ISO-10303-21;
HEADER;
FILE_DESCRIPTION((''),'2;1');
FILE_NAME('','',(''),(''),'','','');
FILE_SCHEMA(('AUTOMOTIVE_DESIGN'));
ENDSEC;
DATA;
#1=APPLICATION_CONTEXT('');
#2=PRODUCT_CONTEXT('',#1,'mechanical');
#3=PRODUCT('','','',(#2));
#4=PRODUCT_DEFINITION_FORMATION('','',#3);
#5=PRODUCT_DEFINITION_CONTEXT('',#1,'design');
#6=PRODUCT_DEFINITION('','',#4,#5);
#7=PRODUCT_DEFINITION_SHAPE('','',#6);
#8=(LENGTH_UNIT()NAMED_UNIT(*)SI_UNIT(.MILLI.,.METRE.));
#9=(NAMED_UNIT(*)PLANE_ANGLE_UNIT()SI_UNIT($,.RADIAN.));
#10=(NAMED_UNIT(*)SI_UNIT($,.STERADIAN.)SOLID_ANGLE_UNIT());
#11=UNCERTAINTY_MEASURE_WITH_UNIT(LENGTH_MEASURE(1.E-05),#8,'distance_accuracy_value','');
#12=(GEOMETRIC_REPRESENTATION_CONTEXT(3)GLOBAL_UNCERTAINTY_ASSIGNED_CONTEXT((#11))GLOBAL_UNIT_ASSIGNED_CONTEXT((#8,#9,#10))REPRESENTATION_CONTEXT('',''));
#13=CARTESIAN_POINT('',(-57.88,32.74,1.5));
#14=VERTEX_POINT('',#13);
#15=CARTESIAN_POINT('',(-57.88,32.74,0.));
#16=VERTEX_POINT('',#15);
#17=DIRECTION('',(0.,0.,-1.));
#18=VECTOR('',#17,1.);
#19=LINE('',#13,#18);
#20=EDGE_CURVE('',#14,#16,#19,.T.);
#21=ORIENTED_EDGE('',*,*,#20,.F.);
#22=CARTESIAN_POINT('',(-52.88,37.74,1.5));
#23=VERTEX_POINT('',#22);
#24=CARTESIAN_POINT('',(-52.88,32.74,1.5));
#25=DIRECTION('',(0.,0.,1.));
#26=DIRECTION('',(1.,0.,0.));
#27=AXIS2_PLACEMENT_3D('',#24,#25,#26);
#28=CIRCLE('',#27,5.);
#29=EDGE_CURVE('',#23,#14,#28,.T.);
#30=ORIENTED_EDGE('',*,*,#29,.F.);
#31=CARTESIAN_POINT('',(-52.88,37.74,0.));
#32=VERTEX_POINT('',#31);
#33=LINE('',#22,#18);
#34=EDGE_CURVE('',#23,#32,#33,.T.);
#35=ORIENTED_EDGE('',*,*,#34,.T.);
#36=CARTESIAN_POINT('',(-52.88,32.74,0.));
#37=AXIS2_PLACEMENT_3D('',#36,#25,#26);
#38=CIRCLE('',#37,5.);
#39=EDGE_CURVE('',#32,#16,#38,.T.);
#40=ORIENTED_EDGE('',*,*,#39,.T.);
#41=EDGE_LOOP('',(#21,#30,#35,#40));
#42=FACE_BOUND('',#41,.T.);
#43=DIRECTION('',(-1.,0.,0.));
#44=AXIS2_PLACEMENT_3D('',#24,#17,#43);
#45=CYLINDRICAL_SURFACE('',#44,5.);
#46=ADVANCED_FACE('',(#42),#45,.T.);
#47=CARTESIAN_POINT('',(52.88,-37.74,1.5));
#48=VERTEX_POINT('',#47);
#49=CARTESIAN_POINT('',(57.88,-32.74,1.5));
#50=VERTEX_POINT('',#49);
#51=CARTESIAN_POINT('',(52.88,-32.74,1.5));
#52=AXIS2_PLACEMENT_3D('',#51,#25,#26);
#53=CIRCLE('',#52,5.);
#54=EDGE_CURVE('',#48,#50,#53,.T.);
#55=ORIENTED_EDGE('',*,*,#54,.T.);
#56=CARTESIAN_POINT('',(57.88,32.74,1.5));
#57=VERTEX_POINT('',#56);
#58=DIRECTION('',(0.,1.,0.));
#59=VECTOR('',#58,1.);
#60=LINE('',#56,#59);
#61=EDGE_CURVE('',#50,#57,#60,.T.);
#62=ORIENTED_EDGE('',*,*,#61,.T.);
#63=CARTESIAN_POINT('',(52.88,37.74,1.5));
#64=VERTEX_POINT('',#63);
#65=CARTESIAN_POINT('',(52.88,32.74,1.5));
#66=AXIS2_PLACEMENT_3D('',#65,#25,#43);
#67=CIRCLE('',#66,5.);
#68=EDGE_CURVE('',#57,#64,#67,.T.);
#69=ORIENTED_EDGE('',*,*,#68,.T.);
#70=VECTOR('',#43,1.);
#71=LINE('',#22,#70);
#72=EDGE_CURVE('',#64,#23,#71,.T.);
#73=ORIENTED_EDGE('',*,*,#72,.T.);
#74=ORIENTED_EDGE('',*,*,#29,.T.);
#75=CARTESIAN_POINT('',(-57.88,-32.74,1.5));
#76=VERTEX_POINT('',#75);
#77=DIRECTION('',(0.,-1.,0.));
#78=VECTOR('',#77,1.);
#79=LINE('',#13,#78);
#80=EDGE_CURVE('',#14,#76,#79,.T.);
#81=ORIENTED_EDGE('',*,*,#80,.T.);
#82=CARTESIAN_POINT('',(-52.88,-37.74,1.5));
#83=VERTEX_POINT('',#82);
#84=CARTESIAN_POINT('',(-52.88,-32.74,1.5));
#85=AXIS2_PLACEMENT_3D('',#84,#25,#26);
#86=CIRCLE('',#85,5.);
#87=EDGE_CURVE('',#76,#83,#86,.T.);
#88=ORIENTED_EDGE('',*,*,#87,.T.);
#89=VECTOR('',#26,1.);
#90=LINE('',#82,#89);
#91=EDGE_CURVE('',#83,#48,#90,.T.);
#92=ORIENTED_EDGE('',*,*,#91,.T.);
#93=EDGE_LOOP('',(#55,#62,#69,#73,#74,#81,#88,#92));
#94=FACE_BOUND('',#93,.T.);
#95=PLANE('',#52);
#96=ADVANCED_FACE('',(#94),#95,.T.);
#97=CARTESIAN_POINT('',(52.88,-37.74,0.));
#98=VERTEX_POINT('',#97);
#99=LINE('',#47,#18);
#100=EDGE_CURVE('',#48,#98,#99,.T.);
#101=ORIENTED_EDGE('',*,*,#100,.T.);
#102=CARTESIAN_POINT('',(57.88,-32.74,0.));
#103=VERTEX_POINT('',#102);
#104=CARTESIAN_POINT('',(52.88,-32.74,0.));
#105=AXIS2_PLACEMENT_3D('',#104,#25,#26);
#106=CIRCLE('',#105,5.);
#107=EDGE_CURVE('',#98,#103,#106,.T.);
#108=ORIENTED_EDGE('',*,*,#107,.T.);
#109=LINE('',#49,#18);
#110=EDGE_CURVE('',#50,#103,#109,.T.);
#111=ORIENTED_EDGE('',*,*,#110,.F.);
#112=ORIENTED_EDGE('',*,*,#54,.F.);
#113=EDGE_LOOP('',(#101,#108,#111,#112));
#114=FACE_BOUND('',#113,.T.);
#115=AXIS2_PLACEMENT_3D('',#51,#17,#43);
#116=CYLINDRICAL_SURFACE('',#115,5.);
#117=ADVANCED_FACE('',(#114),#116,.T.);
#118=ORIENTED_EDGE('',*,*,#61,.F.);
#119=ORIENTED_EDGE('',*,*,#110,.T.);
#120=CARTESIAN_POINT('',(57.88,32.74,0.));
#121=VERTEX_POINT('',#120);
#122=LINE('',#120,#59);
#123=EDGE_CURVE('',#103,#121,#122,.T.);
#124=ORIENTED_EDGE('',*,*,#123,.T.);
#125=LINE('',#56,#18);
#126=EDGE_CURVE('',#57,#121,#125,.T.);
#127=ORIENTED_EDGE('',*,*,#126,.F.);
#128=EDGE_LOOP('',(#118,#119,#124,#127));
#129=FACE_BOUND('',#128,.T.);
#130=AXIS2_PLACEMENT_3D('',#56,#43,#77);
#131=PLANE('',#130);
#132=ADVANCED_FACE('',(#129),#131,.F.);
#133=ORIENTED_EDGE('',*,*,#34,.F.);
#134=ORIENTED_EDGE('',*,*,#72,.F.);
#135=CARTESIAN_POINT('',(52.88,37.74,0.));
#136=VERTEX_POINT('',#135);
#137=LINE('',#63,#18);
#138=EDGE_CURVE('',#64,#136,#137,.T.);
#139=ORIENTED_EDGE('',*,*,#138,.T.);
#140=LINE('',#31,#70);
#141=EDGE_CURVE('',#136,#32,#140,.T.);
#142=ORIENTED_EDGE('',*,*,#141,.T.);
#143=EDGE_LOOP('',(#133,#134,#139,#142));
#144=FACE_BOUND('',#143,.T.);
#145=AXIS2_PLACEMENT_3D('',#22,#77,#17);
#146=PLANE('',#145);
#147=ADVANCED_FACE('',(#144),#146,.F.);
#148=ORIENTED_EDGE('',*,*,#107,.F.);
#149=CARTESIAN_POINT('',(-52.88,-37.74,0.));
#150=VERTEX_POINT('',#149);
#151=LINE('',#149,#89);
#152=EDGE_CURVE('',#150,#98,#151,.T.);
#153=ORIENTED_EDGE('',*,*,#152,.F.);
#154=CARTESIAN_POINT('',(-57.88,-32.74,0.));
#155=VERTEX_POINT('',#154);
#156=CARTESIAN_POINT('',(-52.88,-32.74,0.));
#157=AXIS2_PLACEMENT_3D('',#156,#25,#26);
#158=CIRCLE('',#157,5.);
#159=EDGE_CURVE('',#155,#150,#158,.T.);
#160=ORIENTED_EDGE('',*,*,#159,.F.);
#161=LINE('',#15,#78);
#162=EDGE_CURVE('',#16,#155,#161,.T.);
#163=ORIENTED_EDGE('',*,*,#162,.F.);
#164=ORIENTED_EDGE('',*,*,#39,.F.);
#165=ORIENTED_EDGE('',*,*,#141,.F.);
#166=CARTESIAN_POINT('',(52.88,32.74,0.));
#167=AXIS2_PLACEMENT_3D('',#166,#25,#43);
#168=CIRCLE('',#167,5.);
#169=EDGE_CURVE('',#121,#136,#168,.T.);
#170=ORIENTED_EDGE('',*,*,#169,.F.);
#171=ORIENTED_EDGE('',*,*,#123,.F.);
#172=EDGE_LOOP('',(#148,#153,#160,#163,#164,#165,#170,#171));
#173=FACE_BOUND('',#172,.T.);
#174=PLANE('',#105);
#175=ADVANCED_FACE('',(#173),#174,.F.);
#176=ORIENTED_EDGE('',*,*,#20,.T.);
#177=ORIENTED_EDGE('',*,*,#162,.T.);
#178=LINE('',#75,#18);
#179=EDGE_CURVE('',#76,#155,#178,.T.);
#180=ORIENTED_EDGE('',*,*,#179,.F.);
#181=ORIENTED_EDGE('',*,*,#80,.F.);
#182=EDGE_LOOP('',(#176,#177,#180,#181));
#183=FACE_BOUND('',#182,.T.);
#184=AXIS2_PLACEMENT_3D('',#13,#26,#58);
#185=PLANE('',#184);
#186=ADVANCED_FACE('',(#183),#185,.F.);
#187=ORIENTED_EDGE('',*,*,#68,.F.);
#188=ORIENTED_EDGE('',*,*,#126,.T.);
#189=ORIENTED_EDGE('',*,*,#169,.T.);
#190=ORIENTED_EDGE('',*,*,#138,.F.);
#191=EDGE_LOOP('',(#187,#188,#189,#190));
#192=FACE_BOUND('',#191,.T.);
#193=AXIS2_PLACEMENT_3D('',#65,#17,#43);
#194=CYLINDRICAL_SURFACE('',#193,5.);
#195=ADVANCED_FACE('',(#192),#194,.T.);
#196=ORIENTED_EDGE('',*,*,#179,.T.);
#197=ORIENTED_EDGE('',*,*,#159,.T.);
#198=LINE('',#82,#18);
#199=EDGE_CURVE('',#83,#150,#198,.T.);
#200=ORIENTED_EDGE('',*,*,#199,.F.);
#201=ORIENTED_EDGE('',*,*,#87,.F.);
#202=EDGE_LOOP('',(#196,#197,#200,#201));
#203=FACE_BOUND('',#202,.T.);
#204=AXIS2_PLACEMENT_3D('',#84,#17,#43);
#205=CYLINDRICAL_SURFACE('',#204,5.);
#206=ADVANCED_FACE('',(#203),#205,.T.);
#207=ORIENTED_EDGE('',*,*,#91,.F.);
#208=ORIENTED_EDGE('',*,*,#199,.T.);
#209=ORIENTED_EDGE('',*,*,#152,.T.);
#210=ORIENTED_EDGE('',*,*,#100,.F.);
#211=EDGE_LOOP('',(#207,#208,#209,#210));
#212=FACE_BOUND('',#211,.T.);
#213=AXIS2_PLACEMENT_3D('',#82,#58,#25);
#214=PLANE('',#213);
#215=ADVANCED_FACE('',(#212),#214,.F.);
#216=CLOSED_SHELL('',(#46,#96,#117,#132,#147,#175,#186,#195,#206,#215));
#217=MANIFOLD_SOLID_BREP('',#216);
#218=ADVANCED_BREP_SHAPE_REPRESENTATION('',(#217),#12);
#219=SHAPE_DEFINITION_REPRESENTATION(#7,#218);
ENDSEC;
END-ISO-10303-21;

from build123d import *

# Parameters (mm, degrees)
BOSS_EXTRU_1_DEPTH = 1.5


with BuildPart() as part:
    # Esquisse1 → Boss.-Extru.1 (new body)
    with BuildSketch(Plane.XY):
        with BuildLine():
            Line((-52.88, 37.74), (52.88, 37.74))
            ThreePointArc((52.88, 37.74), (56.415533906, 36.275533906), (57.88, 32.74))
            Line((57.88, 32.74), (57.88, -32.74))
            ThreePointArc((57.88, -32.74), (56.415533906, -36.275533906), (52.88, -37.74))
            Line((52.88, -37.74), (-52.88, -37.74))
            ThreePointArc((-52.88, -37.74), (-56.415533906, -36.275533906), (-57.88, -32.74))
            Line((-57.88, -32.74), (-57.88, 32.74))
            ThreePointArc((-57.88, 32.74), (-56.415533906, 36.275533906), (-52.88, 37.74))
        make_face()
    extrude(amount=BOSS_EXTRU_1_DEPTH)


solid = part.part
